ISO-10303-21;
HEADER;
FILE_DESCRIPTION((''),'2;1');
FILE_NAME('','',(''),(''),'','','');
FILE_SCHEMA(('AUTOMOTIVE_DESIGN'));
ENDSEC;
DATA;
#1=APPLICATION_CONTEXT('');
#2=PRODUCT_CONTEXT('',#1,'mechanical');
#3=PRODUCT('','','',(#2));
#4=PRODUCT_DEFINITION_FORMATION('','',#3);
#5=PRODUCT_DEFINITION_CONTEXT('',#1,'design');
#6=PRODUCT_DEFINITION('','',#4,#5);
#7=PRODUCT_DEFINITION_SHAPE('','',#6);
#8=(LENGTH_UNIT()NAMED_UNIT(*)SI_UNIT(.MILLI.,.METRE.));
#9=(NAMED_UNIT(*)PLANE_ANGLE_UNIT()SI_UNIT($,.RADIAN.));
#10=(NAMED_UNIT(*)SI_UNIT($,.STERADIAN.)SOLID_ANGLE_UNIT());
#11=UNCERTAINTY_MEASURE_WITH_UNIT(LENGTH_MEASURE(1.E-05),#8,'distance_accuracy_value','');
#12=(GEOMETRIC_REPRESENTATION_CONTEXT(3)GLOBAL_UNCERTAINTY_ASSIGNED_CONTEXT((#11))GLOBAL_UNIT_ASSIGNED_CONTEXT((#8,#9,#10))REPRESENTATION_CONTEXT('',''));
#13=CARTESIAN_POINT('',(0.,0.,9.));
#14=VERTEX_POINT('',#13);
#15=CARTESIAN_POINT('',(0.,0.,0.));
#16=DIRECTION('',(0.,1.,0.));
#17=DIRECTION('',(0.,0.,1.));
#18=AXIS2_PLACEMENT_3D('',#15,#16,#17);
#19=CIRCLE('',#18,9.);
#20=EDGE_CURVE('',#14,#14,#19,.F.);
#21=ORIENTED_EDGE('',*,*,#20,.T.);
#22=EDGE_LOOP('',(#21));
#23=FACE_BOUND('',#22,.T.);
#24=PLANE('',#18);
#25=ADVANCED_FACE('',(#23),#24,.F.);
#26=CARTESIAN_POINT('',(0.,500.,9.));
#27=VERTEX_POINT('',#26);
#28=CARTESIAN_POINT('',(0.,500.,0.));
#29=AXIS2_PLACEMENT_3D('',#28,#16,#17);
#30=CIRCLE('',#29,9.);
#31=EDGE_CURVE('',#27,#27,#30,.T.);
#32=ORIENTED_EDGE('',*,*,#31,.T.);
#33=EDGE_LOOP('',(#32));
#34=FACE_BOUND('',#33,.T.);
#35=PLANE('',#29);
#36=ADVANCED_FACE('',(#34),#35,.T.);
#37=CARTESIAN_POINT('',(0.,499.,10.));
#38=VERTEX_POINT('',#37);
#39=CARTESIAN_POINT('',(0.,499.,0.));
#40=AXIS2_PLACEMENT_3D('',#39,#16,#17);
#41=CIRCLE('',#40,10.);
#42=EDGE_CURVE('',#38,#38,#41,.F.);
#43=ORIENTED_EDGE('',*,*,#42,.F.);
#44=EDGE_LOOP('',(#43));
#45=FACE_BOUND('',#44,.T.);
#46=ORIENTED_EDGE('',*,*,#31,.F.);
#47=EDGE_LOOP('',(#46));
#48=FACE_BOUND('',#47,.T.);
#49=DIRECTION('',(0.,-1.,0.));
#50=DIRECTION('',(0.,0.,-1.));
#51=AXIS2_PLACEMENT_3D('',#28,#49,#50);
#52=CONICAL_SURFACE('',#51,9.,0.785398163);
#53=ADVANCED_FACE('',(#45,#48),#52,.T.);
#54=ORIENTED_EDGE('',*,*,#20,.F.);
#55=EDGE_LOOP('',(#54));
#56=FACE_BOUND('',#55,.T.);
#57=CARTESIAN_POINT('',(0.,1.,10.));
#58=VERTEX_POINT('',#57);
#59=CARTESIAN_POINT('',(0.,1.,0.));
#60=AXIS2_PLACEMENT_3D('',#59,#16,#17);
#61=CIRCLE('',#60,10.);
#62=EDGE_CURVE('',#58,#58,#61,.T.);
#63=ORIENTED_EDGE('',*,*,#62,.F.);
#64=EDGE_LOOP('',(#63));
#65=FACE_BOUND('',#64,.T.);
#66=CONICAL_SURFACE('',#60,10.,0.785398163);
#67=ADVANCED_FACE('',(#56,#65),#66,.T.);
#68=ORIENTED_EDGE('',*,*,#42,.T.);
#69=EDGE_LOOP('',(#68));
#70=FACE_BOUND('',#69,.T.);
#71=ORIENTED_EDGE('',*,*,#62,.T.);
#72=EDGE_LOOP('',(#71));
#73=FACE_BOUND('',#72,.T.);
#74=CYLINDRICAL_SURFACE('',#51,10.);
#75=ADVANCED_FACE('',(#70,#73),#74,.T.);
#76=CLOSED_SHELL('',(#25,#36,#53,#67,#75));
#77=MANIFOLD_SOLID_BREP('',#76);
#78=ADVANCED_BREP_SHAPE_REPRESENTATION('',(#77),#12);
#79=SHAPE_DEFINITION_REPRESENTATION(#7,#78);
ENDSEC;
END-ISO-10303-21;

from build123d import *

# Parameters (mm, degrees)
SKETCH1_R           = 10
BOSS_EXTRUDE1_DEPTH = 500
CHAMFER1_SIZE       = 1


with BuildPart() as part:
    # Sketch1 → Boss-Extrude1 (new body)
    with BuildSketch(Plane(origin=(0, 0, 0), x_dir=(1, 0, 0), z_dir=(0, 1, 0))):
        Circle(SKETCH1_R)
    extrude(amount=BOSS_EXTRUDE1_DEPTH)

    # Chamfer1
    chamfer1_edges = [part.edges().sort_by_distance(p)[0] for p in [
        (-10, 0, 0),
        (-10, 500, 0),
    ]]
    chamfer(chamfer1_edges, length=CHAMFER1_SIZE)


solid = part.part
